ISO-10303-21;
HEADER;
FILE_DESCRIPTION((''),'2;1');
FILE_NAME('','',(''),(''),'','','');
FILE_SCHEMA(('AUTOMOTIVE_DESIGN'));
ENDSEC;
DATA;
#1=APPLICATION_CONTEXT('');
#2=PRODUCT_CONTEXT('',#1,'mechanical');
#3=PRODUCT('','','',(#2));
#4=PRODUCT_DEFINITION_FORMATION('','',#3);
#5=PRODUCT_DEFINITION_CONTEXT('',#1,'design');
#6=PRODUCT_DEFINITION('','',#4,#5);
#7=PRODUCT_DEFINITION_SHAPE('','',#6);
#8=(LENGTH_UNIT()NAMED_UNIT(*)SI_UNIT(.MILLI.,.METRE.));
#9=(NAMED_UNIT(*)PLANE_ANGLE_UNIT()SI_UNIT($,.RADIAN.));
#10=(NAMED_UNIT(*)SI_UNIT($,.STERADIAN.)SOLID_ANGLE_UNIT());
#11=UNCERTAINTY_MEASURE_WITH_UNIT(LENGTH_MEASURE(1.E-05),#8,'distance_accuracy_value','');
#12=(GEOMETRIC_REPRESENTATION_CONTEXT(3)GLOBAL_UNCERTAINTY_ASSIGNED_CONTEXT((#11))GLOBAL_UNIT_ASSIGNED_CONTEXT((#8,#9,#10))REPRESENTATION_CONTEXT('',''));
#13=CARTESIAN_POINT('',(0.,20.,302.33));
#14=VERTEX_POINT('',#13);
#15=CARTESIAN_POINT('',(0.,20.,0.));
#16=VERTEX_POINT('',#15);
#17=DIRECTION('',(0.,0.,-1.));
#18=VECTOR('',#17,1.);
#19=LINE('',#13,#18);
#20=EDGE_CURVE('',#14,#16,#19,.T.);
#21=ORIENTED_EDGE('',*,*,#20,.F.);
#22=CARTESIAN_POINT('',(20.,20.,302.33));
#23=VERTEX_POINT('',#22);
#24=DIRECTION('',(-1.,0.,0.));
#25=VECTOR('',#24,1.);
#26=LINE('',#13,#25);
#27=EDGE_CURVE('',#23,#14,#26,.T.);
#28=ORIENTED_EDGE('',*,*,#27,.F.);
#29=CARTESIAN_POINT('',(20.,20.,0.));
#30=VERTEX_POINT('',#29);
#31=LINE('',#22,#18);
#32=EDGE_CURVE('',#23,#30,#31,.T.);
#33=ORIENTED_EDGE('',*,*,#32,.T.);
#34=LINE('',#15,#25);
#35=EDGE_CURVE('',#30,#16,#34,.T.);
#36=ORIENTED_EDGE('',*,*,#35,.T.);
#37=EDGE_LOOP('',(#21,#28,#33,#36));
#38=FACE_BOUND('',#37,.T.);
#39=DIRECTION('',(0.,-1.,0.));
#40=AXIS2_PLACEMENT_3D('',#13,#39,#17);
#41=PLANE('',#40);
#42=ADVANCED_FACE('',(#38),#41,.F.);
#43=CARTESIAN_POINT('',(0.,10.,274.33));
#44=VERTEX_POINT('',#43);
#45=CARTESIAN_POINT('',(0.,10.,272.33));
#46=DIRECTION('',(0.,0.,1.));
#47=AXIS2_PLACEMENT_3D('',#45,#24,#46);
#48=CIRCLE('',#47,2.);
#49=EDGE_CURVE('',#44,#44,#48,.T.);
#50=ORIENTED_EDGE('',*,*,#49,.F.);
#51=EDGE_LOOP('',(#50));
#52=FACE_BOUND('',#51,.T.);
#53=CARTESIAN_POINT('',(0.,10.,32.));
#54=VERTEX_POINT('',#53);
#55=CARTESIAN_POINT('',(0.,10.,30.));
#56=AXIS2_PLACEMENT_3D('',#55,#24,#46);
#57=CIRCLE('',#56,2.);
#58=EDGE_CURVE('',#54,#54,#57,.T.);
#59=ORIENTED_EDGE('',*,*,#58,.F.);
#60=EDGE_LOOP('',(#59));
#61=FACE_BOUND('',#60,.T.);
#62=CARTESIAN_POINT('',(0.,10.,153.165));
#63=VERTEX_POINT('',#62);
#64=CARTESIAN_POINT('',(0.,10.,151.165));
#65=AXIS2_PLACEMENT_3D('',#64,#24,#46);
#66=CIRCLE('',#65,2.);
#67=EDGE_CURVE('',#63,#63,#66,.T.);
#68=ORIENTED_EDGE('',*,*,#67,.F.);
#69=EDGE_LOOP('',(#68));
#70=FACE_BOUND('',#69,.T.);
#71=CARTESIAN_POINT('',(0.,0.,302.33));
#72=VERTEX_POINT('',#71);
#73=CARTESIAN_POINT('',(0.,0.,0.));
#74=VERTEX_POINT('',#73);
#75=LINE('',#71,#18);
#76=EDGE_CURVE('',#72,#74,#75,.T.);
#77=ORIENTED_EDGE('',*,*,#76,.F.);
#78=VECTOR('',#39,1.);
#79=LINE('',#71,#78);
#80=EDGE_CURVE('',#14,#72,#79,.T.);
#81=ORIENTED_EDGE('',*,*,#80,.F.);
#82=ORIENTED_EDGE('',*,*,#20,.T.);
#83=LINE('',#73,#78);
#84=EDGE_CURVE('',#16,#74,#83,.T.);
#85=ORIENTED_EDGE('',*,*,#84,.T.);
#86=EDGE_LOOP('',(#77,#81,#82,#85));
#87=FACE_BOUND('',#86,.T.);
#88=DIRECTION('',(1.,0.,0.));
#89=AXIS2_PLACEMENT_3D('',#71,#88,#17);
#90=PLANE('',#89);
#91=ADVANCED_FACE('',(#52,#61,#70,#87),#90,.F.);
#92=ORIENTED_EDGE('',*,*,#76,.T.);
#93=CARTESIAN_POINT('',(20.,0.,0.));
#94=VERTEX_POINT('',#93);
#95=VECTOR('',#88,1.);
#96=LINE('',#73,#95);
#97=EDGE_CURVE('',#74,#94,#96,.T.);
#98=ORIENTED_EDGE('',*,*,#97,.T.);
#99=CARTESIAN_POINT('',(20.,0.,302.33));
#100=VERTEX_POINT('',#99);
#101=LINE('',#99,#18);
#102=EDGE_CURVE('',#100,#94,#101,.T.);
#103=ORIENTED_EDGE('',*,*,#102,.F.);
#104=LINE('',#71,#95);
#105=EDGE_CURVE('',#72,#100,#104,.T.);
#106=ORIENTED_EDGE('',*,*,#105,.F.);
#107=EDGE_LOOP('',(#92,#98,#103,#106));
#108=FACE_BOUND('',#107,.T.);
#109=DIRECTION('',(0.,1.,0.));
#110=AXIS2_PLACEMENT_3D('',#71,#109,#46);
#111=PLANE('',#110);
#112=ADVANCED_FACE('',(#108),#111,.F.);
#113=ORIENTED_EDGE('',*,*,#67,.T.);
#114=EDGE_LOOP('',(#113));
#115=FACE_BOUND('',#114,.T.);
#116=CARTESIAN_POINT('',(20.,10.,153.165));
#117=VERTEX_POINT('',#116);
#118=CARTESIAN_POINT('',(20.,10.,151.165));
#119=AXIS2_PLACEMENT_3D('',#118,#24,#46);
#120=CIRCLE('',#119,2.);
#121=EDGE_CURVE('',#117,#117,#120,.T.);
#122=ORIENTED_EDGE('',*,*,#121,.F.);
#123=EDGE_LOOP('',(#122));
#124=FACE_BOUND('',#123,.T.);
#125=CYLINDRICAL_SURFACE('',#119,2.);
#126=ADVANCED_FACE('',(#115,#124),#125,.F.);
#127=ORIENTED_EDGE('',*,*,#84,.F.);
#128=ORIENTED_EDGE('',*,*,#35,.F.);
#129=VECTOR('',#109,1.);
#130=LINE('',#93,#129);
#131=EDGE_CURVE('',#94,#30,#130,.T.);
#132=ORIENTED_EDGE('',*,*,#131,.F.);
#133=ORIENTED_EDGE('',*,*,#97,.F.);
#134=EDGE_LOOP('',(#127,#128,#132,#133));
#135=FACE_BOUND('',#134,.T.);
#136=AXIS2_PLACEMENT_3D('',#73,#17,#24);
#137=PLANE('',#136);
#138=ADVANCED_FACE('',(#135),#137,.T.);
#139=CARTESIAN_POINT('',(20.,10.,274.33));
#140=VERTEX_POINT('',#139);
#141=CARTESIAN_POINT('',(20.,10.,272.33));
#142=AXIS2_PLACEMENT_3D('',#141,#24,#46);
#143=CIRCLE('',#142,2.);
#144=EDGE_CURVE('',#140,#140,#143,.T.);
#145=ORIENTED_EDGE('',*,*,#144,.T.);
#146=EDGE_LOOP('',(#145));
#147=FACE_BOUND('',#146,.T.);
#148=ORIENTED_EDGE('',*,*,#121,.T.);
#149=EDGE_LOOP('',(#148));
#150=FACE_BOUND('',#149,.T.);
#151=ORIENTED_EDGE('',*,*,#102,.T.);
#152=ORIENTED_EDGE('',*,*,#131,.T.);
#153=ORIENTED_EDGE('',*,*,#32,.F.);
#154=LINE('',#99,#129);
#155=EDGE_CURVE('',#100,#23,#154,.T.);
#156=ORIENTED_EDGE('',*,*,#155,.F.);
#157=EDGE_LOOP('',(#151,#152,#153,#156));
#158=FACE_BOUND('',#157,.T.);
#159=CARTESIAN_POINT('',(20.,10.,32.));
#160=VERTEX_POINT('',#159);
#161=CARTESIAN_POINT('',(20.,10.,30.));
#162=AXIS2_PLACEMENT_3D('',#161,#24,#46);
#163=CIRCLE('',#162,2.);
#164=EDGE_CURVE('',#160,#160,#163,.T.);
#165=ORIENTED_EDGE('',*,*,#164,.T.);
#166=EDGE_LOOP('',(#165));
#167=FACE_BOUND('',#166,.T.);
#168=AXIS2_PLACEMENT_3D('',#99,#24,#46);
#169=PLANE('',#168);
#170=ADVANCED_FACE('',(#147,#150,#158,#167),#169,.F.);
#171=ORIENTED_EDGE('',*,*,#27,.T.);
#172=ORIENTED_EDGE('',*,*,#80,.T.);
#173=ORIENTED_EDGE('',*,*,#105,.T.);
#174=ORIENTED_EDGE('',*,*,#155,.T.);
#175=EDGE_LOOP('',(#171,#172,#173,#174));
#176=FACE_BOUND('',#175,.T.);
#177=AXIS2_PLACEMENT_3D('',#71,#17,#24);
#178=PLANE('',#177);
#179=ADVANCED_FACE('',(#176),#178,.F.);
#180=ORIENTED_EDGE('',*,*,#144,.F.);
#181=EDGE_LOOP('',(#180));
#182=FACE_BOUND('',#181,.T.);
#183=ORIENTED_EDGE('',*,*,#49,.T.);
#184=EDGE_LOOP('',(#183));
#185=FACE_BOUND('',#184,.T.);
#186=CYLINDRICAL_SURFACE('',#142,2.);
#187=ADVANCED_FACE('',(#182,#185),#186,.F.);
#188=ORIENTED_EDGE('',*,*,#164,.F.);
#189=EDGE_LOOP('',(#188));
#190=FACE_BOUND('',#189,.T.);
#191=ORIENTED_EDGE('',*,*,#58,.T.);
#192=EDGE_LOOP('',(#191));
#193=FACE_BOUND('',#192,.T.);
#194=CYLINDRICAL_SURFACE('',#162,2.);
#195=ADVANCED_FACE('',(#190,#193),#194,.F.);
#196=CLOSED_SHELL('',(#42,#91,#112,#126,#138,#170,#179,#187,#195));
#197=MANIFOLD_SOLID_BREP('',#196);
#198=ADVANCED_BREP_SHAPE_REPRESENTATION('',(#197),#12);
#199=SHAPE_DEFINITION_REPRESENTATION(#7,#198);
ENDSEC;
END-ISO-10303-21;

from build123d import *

# Parameters (mm, degrees)
SKETCH1_W           = 20
SKETCH1_H           = 20
BOSS_EXTRUDE1_DEPTH = 302.33
SKETCH2_R           = 2
CUT_EXTRUDE1_DEPTH  = 21


with BuildPart() as part:
    # Sketch1 → Boss-Extrude1 (new body)
    with BuildSketch(Plane.XY):
        with Locations((10, 10)):
            Rectangle(SKETCH1_W, SKETCH1_H)
    extrude(amount=BOSS_EXTRUDE1_DEPTH)

    # Sketch2 → Cut-Extrude1 (cut, through all)
    with BuildSketch(Plane.ZY):
        with Locations((30, 10)):
            Circle(SKETCH2_R)
        with Locations((272.33, 10)):
            Circle(SKETCH2_R)
        with Locations((151.165, 10)):
            Circle(SKETCH2_R)
    extrude(amount=-CUT_EXTRUDE1_DEPTH, mode=Mode.SUBTRACT)


solid = part.part
